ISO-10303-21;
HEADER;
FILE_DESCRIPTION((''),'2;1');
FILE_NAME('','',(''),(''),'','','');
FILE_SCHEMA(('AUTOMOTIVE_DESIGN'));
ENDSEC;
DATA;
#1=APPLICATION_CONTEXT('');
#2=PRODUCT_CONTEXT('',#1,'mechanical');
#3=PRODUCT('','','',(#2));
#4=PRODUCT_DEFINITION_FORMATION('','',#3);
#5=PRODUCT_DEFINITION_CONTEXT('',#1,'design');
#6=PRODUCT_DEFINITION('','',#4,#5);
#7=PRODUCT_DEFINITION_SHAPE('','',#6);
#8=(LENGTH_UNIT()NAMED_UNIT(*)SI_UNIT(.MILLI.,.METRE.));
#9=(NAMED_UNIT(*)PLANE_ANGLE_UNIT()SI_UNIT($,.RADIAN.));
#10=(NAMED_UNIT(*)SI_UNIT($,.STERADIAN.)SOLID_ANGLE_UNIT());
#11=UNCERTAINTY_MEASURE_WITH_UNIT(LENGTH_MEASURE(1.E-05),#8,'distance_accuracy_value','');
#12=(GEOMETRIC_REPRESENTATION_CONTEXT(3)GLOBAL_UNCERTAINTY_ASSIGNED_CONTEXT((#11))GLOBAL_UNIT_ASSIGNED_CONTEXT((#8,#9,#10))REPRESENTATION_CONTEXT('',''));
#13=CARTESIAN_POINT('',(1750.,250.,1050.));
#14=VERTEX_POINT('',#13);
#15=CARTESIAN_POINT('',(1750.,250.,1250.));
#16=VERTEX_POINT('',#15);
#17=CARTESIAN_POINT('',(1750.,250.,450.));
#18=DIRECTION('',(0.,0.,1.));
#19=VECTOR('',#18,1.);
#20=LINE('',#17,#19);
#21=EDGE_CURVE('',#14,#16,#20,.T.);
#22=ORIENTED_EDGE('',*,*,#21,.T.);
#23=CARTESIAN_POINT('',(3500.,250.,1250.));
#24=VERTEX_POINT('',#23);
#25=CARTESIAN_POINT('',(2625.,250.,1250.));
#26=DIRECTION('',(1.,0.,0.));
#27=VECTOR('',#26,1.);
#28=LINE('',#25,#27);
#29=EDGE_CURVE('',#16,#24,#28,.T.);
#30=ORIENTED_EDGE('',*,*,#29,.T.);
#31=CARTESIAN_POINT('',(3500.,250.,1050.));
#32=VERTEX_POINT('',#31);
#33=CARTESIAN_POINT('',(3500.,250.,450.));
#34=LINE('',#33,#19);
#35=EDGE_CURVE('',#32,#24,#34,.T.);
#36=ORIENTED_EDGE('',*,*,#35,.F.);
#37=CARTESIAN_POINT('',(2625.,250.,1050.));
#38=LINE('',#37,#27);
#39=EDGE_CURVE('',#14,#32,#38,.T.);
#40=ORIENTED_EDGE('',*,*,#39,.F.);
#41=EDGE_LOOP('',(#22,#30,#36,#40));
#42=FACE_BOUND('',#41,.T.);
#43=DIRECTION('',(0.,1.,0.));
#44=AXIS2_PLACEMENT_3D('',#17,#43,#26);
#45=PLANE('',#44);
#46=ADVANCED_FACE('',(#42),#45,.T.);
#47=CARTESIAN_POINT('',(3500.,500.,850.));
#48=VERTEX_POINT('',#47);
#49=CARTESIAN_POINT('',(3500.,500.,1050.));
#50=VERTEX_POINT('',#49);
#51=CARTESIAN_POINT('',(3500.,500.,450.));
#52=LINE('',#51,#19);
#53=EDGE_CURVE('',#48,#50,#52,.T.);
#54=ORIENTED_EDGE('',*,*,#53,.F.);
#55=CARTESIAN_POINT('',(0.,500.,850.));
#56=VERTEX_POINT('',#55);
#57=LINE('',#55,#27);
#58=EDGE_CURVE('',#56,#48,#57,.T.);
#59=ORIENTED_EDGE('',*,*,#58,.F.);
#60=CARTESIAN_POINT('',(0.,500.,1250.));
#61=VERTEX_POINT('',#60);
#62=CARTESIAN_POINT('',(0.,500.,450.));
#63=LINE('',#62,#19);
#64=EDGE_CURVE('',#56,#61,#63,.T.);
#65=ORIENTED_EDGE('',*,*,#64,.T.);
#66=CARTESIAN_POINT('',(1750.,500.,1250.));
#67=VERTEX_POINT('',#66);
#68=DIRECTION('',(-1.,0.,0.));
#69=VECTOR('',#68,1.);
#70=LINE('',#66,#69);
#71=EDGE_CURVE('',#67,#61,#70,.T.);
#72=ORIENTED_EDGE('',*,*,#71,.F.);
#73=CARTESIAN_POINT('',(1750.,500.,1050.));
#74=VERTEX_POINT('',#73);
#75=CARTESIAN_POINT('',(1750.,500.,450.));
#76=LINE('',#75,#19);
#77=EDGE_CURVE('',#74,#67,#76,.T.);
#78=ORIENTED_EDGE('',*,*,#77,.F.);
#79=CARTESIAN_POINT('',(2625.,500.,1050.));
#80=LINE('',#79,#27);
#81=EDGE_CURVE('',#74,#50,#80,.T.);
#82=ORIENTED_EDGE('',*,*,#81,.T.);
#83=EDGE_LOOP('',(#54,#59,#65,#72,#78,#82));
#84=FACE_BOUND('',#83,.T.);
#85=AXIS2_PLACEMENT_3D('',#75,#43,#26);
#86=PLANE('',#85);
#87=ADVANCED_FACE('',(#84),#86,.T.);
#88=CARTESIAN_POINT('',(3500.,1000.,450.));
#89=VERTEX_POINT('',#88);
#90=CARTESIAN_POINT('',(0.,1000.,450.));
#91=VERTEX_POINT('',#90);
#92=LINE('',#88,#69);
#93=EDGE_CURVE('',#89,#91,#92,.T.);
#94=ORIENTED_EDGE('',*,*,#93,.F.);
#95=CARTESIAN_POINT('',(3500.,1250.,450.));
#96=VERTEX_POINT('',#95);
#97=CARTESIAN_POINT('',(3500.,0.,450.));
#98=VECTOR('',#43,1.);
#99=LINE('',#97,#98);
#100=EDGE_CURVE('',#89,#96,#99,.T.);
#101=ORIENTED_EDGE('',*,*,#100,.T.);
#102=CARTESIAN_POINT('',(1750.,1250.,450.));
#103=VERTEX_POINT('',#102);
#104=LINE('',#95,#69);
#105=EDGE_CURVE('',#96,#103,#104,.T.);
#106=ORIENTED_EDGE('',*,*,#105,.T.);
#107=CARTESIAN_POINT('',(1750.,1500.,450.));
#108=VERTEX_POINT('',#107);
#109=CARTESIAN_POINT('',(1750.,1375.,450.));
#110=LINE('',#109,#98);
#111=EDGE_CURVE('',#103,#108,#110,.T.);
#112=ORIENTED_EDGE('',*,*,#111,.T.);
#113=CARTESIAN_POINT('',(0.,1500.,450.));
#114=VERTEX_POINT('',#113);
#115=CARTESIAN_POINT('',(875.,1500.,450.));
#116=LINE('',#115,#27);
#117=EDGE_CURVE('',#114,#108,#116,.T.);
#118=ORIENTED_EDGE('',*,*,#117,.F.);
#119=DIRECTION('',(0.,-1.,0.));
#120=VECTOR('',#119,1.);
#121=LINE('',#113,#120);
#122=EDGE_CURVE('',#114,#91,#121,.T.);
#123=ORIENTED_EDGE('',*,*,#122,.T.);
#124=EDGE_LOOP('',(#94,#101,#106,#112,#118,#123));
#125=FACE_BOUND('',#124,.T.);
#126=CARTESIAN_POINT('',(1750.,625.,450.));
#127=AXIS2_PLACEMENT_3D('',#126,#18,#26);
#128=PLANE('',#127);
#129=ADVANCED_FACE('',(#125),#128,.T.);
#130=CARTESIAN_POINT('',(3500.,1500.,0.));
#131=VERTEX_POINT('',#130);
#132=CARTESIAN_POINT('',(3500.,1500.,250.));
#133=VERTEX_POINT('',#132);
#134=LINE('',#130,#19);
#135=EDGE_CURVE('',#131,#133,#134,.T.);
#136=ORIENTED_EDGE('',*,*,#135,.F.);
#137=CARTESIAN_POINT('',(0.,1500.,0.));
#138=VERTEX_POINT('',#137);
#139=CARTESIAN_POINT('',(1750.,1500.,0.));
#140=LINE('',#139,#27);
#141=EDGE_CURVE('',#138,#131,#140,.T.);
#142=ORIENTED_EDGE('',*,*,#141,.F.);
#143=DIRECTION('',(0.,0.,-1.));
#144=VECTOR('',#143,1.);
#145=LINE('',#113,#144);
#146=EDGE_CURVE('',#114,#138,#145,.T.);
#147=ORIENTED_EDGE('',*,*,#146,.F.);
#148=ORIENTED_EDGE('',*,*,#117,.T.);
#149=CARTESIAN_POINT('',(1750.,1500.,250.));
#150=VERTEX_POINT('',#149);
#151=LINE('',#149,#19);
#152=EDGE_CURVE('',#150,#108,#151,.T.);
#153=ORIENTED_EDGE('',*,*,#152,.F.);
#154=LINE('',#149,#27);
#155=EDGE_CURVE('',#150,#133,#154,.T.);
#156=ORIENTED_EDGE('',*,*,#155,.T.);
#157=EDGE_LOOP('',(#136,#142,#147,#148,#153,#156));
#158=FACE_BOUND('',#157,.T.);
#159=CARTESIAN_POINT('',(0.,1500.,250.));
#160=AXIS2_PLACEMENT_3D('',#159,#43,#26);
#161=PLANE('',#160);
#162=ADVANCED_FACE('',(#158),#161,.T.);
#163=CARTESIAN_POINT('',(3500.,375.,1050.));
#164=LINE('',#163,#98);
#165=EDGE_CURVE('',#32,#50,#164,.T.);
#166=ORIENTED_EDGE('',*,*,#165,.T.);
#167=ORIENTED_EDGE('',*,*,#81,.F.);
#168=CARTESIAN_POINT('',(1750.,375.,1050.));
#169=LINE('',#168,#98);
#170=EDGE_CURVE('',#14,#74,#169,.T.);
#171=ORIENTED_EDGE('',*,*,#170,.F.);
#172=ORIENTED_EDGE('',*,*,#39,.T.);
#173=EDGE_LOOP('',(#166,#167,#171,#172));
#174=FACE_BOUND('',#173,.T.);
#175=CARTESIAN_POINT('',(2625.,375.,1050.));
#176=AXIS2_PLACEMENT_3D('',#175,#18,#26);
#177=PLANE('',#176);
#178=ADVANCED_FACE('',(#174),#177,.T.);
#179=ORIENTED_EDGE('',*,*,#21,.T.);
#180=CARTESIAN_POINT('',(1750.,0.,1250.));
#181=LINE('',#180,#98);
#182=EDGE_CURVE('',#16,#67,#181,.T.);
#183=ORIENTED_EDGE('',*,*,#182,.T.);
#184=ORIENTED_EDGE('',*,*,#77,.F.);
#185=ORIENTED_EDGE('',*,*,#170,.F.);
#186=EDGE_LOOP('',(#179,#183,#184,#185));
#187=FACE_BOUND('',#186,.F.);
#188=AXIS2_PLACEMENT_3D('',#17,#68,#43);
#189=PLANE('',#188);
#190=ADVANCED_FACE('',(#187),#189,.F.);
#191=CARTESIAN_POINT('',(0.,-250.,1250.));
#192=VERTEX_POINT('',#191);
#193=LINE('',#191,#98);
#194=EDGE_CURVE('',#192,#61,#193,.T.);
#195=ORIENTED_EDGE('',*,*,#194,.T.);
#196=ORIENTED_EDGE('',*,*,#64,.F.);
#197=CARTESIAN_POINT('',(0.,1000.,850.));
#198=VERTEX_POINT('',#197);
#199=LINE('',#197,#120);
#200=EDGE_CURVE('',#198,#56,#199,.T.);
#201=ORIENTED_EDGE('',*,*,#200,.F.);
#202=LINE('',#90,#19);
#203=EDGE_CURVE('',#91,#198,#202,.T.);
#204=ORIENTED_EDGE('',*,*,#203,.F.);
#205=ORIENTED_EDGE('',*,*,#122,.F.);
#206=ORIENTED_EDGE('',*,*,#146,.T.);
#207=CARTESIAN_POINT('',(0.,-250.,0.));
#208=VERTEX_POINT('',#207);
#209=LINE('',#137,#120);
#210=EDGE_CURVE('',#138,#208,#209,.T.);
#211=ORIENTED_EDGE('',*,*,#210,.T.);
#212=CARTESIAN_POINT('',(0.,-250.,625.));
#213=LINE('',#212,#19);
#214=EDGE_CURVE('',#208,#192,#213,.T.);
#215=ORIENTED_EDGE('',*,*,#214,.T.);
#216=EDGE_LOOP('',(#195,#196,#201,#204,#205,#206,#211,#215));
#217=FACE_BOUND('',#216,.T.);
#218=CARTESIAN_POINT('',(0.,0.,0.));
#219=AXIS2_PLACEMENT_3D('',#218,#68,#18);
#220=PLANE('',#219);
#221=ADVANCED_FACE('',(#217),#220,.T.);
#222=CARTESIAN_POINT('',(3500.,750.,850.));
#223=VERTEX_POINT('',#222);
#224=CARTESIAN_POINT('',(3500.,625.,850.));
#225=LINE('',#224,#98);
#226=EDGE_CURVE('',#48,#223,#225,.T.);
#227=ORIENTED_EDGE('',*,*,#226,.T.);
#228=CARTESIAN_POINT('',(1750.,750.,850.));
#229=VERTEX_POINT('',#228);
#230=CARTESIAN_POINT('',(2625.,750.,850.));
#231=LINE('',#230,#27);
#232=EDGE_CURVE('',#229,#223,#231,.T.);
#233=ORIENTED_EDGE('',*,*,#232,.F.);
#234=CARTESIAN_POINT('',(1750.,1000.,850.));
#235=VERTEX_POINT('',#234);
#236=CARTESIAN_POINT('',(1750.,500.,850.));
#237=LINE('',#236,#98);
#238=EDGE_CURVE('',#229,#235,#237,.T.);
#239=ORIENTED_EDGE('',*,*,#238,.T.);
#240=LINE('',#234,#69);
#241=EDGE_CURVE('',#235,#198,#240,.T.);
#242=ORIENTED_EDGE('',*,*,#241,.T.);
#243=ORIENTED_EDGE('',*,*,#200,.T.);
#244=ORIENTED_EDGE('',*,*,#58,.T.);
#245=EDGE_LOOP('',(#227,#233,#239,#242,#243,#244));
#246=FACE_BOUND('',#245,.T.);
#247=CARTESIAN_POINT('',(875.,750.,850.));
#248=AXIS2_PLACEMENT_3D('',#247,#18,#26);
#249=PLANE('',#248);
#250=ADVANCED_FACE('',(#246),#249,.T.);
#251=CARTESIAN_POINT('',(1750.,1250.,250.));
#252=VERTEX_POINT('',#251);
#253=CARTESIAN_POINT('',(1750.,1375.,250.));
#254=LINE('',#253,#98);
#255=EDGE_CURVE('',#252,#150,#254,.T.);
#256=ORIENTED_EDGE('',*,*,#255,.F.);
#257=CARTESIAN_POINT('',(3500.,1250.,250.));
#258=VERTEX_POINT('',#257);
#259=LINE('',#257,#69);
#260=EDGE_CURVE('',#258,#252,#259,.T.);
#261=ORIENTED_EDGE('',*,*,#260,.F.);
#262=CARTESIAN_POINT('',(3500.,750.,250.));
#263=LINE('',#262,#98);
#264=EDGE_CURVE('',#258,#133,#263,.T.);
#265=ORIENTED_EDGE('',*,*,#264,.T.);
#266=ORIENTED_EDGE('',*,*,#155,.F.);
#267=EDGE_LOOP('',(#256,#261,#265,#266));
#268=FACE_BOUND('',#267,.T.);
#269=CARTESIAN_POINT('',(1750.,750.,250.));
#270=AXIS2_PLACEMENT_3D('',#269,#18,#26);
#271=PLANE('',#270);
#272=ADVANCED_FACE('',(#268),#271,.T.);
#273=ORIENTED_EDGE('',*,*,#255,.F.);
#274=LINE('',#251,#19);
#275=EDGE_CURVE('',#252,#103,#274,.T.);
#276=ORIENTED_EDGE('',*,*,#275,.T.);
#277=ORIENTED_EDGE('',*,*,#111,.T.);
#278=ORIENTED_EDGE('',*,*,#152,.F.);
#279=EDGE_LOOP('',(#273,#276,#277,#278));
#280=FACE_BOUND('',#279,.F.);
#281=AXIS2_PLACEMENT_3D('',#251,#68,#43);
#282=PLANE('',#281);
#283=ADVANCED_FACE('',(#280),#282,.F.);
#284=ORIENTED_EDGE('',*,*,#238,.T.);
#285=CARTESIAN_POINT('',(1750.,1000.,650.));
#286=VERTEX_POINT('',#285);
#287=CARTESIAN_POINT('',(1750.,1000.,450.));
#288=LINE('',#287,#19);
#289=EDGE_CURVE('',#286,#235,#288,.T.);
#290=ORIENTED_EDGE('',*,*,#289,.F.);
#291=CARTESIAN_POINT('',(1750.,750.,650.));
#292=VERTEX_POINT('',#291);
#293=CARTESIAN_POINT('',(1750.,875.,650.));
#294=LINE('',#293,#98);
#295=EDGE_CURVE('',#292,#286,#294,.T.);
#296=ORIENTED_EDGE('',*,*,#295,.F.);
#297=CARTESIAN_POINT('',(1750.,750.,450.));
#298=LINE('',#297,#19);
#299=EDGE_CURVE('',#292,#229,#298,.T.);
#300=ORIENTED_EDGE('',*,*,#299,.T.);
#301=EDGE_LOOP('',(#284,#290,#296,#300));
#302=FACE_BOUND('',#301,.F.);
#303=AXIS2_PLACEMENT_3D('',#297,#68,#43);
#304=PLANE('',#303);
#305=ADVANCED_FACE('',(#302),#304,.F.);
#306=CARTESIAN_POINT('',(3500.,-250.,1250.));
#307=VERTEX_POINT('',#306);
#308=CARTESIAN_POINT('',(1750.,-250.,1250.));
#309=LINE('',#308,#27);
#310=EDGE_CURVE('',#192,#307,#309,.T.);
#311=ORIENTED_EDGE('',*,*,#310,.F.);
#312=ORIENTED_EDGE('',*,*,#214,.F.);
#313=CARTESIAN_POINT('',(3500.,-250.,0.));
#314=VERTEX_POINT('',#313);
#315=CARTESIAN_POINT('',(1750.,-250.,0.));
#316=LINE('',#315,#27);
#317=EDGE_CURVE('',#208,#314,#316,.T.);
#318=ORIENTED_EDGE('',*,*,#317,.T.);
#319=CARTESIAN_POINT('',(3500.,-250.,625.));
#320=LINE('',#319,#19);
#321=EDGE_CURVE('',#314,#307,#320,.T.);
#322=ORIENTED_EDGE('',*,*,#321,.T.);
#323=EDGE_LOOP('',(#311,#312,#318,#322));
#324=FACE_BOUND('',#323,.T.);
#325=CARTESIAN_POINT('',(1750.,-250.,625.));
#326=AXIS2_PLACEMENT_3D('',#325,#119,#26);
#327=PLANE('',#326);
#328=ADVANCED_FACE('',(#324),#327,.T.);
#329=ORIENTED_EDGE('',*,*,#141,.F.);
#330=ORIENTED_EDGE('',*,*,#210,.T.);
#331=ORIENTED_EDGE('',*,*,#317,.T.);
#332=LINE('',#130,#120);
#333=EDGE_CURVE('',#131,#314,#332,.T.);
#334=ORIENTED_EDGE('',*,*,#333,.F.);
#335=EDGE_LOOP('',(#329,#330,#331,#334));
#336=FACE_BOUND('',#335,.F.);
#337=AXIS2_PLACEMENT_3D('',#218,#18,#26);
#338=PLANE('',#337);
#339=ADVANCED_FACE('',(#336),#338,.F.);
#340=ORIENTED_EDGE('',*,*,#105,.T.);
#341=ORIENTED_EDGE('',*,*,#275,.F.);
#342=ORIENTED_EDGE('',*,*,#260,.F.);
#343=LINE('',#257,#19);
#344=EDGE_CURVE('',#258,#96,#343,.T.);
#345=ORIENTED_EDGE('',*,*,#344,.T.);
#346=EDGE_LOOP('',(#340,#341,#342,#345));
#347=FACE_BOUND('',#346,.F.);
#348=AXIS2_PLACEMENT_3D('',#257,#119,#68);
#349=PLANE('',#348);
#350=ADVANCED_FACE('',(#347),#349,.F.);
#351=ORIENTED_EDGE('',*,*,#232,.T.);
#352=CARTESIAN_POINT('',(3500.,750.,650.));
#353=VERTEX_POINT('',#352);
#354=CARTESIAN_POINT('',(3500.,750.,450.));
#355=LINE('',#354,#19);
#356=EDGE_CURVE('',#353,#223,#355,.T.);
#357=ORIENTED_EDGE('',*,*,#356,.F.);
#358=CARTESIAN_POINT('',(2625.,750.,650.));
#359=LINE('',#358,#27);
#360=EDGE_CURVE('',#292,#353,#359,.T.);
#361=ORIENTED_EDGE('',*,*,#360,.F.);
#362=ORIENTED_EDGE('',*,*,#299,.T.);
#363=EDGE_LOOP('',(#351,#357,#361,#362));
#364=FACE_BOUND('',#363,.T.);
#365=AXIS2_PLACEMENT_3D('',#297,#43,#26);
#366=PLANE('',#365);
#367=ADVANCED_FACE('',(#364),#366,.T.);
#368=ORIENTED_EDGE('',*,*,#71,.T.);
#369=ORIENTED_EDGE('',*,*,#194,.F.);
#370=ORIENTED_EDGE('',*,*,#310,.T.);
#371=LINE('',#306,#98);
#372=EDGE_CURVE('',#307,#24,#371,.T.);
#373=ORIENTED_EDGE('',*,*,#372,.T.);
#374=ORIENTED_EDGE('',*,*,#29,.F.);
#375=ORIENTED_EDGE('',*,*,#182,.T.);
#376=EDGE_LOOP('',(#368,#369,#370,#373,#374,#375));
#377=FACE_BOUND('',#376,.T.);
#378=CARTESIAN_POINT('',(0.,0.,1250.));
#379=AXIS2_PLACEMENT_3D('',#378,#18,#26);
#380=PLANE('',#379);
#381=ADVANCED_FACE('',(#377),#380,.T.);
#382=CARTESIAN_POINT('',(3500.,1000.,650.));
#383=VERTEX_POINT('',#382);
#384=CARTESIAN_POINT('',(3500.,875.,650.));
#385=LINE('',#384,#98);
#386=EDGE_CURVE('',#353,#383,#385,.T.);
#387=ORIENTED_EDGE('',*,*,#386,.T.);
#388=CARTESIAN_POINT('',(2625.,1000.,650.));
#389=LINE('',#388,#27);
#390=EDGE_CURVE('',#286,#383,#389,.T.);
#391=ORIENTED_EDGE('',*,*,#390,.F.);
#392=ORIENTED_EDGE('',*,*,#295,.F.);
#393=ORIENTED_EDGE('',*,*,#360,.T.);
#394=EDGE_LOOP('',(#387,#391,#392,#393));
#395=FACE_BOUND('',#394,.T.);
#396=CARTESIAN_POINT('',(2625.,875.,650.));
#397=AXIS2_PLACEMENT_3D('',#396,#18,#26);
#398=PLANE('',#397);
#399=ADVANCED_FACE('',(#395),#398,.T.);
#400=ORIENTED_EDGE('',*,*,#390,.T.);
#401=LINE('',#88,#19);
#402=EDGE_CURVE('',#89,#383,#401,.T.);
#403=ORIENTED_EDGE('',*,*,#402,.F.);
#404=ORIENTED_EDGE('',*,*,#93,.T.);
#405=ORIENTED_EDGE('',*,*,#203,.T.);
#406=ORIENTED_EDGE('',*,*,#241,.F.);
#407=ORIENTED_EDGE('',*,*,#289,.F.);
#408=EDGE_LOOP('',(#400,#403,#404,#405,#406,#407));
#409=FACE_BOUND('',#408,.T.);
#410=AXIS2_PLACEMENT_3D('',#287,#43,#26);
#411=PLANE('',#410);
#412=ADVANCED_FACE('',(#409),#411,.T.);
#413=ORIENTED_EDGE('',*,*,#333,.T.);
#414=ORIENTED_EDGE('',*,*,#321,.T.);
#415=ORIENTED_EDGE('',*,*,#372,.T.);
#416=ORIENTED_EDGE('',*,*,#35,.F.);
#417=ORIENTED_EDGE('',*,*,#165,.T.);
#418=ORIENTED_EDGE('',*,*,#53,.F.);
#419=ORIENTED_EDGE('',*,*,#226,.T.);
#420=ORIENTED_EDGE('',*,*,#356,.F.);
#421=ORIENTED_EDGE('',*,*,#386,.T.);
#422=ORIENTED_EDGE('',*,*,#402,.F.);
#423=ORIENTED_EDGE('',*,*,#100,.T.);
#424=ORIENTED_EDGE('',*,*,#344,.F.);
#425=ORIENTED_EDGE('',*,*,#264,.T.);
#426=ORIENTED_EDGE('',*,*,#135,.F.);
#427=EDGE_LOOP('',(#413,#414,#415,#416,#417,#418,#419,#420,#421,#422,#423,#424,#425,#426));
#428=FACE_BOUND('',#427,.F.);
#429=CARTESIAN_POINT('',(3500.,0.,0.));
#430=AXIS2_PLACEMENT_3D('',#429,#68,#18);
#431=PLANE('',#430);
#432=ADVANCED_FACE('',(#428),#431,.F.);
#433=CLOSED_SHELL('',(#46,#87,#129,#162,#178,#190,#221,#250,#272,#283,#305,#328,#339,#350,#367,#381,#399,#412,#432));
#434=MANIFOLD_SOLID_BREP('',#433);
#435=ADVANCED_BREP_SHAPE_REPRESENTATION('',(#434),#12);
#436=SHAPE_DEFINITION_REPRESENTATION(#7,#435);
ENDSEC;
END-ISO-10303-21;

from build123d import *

# Parameters (mm, degrees)
F0_W      = 3500
F0_H      = 1500
F1_DEPTH  = 250
F2_W      = 1750
F2_H      = 250
F3_DEPTH  = 200
F4_W      = 1750
F4_H      = 250
F5_DEPTH  = 800
F6_W      = 1750
F6_H      = 250
F7_DEPTH  = 600
F8_W      = 1750
F8_H      = 250
F9_DEPTH  = 400
F10_W     = 1750
F10_H     = 250
F11_DEPTH = 200
F13_W     = 3500
F13_H     = 1250
F14_DEPTH = 250


with BuildPart() as f1:
    # F0 (on Top) → F1 (new body)
    with BuildSketch(Plane.XY):
        with Locations((1750, 750)):
            Rectangle(F0_W, F0_H)
    extrude(amount=F1_DEPTH)

    # F2 (on face) → F3 (join)
    with BuildSketch(Plane.XY.offset(250)):
        Polygon((0, 1250), (0, 0), (3500, 0), (3500, 1250), (1750, 1250), align=None)
        with Locations((875, 1375)):
            Rectangle(F2_W, F2_H)
    extrude(amount=F3_DEPTH)

    # F4 (on face) → F5 (join)
    with BuildSketch(Plane.XY.offset(450)):
        Polygon((0, 500), (0, 0), (1750, 0), (1750, 250), (1750, 500), align=None)
        with Locations((2625, 125)):
            Rectangle(F4_W, F4_H)
    extrude(amount=F5_DEPTH)

    # F6 (on face) → F7 (join)
    with BuildSketch(Plane.XY.offset(450)):
        with Locations((2625, 375)):
            Rectangle(F6_W, F6_H)
    extrude(amount=F7_DEPTH)

    # F8 (on face) → F9 (join)
    with BuildSketch(Plane.XY.offset(450)):
        Polygon((1750, 1000), (0, 1000), (0, 500), (1750, 500), (1750, 750), align=None)
        with Locations((2625, 625)):
            Rectangle(F8_W, F8_H)
    extrude(amount=F9_DEPTH)

    # F10 (on face) → F11 (join)
    with BuildSketch(Plane.XY.offset(450)):
        with Locations((2625, 875)):
            Rectangle(F10_W, F10_H)
    extrude(amount=F11_DEPTH)

    # F13 (on face) → F14 (join)
    with BuildSketch(Plane.XZ):
        with Locations((1750, 625)):
            Rectangle(F13_W, F13_H)
    extrude(amount=F14_DEPTH)


solid = f1.part
